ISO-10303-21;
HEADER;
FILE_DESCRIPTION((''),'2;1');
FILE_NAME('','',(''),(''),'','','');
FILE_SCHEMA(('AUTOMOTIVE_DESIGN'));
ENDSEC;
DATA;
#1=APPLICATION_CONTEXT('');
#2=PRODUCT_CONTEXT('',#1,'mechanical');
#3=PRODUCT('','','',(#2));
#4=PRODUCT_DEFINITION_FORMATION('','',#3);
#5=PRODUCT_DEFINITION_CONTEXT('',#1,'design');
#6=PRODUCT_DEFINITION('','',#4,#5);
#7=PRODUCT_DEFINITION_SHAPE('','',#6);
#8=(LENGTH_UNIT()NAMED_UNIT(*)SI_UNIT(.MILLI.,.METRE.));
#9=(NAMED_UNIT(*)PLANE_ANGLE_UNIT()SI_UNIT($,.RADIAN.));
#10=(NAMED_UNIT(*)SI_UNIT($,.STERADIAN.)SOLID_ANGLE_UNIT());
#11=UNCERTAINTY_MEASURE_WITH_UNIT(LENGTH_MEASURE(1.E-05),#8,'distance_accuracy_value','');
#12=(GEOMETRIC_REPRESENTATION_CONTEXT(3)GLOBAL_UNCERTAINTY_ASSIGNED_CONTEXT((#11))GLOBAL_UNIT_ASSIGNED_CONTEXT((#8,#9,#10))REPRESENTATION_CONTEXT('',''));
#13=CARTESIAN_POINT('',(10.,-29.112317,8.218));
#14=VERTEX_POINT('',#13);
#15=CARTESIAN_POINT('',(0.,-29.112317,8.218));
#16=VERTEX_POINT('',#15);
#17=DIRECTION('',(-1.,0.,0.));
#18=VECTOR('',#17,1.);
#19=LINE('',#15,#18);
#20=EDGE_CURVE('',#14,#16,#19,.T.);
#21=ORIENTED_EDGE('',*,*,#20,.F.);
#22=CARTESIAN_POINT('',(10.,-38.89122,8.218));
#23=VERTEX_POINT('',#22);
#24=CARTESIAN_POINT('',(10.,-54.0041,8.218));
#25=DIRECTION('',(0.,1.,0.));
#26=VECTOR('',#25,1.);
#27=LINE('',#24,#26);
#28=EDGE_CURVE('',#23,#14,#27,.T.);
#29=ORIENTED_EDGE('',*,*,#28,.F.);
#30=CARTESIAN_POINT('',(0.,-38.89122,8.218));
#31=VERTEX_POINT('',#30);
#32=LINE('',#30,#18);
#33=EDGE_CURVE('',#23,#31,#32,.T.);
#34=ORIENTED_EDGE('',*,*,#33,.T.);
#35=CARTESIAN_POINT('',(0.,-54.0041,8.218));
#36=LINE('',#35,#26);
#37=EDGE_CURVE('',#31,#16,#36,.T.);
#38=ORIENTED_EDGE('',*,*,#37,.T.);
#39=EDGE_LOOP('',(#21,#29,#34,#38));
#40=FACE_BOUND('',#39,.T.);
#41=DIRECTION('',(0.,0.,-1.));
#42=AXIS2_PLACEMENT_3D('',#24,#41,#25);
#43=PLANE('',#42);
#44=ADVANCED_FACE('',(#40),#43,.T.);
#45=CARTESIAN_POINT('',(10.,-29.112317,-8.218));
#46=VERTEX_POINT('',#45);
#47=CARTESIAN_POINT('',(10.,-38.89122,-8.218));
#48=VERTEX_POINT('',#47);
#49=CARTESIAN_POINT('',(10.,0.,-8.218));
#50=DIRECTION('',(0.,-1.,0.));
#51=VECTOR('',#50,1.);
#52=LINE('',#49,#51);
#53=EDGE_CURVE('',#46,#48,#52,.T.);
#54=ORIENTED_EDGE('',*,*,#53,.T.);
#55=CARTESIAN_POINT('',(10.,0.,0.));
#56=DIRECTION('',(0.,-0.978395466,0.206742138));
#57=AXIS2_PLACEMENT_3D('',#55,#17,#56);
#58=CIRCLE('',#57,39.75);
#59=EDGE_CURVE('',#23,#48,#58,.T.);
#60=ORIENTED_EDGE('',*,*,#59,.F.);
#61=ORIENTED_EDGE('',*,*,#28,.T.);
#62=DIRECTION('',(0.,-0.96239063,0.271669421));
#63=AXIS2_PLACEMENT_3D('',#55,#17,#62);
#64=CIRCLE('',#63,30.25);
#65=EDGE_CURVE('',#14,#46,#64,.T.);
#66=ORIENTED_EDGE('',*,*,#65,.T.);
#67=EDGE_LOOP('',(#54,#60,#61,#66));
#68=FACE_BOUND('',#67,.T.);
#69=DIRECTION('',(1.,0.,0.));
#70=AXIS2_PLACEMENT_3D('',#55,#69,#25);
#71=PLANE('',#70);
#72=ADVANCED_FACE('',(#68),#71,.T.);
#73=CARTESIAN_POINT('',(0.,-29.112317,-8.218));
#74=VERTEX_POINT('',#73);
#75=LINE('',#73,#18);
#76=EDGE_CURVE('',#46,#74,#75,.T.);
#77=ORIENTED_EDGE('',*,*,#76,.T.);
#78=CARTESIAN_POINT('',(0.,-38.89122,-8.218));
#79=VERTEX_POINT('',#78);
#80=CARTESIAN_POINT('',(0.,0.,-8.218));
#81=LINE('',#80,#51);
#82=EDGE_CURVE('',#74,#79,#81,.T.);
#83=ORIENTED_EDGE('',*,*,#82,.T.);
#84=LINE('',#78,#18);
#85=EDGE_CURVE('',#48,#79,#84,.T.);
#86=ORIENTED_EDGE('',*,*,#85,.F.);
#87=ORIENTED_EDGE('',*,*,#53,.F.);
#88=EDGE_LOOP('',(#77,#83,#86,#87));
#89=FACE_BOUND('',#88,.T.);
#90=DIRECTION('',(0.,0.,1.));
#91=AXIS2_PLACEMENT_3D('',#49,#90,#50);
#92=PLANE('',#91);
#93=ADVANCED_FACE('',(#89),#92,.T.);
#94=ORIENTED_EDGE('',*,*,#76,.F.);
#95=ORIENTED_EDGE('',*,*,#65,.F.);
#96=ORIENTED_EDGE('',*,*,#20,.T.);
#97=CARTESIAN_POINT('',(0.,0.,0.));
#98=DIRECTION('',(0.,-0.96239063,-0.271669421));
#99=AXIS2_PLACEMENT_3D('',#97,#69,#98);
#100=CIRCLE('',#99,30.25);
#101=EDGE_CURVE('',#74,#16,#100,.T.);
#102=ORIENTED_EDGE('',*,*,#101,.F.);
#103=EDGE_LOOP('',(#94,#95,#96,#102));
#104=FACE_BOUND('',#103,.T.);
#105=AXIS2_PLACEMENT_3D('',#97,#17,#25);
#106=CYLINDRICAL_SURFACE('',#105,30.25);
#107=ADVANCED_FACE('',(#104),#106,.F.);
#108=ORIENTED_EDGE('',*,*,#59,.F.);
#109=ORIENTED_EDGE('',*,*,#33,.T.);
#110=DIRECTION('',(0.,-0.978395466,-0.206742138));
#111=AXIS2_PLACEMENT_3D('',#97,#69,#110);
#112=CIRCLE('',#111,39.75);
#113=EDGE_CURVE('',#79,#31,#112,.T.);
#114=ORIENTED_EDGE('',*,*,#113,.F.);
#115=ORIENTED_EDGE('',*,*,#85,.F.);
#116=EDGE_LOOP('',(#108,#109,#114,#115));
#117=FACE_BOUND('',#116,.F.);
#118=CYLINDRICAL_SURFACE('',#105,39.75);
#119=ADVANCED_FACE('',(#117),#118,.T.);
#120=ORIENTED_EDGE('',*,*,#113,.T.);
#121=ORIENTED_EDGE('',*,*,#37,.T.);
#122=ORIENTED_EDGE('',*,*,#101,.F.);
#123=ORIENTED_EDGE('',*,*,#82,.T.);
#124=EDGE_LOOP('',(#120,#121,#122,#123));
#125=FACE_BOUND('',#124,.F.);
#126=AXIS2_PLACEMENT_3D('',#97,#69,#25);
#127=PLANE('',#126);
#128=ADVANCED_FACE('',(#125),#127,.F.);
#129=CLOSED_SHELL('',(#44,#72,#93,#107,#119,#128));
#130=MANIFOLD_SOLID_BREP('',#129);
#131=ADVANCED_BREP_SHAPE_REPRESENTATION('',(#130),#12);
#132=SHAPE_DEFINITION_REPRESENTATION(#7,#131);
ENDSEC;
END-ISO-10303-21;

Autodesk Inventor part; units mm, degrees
ref_plane "YZ Plane" through (0, 0, 0) normal (1, 0, 0) x (0, 1, 0)
ref_plane "XZ Plane" through (0, 0, 0) normal (0, 1, 0) x (-1, 0, 0)
ref_plane "XY Plane" through (0, 0, 0) normal (0, 0, 1) x (1, 0, 0)
sketch "Sketch1" plane through (0, 0, 0) normal (1, 0, 0) x (0, 1, 0)
  circle A0 centre (0, 0) radius 30.25
  circle A1 centre (0, 0) radius 39.75
  dimension "d0" = 60.5
  dimension "d1" = 9.5
extrude "Extrusion1" add sketch "Sketch1" along normal blind 10
sketch "Sketch2" plane through (10, 0, 0) normal (1, 0, 0) x (0, 0, -1)
  line L0 (-8.218, 0) -> (8.218, 0)
  line L1 (8.218, 0) -> (8.218, -54.0041)
  line L2 (8.218, -54.0041) -> (-8.218, -54.0041)
  line L3 (-8.218, -54.0041) -> (-8.218, 0)
  line L4 (0, -72.7549) -> (0, 58.5008) projected
  point P0 (0, 0)
  dimension "d4" = 8.218
  dimension "d5" = 8.218
extrude "Extrusion2" cut sketch "Sketch2" against normal blind 10
equation "\"d5\" = d4"
equation "\"hoop_angle_z\" = 45deg"
equation "\"hoop_bearing_length\" = 5deg"
equation "\"hoop_cable_diam\" = 5"
equation "\"hoop_cable_pulley_diam\" = 22"
equation "\"rack_tooth_addendum\" = 5"
equation "\"rack_tooth_dedendum\" = 5"
equation "\"rack_tooth_thickness\" = 5"
equation "\"secure_arm_angle\" = 20deg"
equation "\"secure_arm_hold_length\" = 35"
equation "\"secure_arm_radii\" = 9"
equation "\"support_baseClamp_platformLengthBuffer\" = 35"
equation "\"support_baseClamp_platformThickness\" = 15"
equation "\"support_baseClamp_platformWidthBuffer\" = 0"
equation "\"support_baseClamp_sleeveHoleDiameter\" = 12"
equation "\"support_baseClamp_sleeveSweepTerminationAngle\" = 55deg"
equation "\"support_baseClamp_thickness\" = 8"
equation "\"support_frame_endHoleBuffer\" = 25"
equation "\"support_frame_squareBarFillet\" = 2"
equation "\"support_frame_squareBarThickness\" = 5"
equation "\"hoop_tabs_hole\" = 4"
equation "\"hoop_tabs_thickness\" = 6"
properties part number "hoop_small_stopper"
